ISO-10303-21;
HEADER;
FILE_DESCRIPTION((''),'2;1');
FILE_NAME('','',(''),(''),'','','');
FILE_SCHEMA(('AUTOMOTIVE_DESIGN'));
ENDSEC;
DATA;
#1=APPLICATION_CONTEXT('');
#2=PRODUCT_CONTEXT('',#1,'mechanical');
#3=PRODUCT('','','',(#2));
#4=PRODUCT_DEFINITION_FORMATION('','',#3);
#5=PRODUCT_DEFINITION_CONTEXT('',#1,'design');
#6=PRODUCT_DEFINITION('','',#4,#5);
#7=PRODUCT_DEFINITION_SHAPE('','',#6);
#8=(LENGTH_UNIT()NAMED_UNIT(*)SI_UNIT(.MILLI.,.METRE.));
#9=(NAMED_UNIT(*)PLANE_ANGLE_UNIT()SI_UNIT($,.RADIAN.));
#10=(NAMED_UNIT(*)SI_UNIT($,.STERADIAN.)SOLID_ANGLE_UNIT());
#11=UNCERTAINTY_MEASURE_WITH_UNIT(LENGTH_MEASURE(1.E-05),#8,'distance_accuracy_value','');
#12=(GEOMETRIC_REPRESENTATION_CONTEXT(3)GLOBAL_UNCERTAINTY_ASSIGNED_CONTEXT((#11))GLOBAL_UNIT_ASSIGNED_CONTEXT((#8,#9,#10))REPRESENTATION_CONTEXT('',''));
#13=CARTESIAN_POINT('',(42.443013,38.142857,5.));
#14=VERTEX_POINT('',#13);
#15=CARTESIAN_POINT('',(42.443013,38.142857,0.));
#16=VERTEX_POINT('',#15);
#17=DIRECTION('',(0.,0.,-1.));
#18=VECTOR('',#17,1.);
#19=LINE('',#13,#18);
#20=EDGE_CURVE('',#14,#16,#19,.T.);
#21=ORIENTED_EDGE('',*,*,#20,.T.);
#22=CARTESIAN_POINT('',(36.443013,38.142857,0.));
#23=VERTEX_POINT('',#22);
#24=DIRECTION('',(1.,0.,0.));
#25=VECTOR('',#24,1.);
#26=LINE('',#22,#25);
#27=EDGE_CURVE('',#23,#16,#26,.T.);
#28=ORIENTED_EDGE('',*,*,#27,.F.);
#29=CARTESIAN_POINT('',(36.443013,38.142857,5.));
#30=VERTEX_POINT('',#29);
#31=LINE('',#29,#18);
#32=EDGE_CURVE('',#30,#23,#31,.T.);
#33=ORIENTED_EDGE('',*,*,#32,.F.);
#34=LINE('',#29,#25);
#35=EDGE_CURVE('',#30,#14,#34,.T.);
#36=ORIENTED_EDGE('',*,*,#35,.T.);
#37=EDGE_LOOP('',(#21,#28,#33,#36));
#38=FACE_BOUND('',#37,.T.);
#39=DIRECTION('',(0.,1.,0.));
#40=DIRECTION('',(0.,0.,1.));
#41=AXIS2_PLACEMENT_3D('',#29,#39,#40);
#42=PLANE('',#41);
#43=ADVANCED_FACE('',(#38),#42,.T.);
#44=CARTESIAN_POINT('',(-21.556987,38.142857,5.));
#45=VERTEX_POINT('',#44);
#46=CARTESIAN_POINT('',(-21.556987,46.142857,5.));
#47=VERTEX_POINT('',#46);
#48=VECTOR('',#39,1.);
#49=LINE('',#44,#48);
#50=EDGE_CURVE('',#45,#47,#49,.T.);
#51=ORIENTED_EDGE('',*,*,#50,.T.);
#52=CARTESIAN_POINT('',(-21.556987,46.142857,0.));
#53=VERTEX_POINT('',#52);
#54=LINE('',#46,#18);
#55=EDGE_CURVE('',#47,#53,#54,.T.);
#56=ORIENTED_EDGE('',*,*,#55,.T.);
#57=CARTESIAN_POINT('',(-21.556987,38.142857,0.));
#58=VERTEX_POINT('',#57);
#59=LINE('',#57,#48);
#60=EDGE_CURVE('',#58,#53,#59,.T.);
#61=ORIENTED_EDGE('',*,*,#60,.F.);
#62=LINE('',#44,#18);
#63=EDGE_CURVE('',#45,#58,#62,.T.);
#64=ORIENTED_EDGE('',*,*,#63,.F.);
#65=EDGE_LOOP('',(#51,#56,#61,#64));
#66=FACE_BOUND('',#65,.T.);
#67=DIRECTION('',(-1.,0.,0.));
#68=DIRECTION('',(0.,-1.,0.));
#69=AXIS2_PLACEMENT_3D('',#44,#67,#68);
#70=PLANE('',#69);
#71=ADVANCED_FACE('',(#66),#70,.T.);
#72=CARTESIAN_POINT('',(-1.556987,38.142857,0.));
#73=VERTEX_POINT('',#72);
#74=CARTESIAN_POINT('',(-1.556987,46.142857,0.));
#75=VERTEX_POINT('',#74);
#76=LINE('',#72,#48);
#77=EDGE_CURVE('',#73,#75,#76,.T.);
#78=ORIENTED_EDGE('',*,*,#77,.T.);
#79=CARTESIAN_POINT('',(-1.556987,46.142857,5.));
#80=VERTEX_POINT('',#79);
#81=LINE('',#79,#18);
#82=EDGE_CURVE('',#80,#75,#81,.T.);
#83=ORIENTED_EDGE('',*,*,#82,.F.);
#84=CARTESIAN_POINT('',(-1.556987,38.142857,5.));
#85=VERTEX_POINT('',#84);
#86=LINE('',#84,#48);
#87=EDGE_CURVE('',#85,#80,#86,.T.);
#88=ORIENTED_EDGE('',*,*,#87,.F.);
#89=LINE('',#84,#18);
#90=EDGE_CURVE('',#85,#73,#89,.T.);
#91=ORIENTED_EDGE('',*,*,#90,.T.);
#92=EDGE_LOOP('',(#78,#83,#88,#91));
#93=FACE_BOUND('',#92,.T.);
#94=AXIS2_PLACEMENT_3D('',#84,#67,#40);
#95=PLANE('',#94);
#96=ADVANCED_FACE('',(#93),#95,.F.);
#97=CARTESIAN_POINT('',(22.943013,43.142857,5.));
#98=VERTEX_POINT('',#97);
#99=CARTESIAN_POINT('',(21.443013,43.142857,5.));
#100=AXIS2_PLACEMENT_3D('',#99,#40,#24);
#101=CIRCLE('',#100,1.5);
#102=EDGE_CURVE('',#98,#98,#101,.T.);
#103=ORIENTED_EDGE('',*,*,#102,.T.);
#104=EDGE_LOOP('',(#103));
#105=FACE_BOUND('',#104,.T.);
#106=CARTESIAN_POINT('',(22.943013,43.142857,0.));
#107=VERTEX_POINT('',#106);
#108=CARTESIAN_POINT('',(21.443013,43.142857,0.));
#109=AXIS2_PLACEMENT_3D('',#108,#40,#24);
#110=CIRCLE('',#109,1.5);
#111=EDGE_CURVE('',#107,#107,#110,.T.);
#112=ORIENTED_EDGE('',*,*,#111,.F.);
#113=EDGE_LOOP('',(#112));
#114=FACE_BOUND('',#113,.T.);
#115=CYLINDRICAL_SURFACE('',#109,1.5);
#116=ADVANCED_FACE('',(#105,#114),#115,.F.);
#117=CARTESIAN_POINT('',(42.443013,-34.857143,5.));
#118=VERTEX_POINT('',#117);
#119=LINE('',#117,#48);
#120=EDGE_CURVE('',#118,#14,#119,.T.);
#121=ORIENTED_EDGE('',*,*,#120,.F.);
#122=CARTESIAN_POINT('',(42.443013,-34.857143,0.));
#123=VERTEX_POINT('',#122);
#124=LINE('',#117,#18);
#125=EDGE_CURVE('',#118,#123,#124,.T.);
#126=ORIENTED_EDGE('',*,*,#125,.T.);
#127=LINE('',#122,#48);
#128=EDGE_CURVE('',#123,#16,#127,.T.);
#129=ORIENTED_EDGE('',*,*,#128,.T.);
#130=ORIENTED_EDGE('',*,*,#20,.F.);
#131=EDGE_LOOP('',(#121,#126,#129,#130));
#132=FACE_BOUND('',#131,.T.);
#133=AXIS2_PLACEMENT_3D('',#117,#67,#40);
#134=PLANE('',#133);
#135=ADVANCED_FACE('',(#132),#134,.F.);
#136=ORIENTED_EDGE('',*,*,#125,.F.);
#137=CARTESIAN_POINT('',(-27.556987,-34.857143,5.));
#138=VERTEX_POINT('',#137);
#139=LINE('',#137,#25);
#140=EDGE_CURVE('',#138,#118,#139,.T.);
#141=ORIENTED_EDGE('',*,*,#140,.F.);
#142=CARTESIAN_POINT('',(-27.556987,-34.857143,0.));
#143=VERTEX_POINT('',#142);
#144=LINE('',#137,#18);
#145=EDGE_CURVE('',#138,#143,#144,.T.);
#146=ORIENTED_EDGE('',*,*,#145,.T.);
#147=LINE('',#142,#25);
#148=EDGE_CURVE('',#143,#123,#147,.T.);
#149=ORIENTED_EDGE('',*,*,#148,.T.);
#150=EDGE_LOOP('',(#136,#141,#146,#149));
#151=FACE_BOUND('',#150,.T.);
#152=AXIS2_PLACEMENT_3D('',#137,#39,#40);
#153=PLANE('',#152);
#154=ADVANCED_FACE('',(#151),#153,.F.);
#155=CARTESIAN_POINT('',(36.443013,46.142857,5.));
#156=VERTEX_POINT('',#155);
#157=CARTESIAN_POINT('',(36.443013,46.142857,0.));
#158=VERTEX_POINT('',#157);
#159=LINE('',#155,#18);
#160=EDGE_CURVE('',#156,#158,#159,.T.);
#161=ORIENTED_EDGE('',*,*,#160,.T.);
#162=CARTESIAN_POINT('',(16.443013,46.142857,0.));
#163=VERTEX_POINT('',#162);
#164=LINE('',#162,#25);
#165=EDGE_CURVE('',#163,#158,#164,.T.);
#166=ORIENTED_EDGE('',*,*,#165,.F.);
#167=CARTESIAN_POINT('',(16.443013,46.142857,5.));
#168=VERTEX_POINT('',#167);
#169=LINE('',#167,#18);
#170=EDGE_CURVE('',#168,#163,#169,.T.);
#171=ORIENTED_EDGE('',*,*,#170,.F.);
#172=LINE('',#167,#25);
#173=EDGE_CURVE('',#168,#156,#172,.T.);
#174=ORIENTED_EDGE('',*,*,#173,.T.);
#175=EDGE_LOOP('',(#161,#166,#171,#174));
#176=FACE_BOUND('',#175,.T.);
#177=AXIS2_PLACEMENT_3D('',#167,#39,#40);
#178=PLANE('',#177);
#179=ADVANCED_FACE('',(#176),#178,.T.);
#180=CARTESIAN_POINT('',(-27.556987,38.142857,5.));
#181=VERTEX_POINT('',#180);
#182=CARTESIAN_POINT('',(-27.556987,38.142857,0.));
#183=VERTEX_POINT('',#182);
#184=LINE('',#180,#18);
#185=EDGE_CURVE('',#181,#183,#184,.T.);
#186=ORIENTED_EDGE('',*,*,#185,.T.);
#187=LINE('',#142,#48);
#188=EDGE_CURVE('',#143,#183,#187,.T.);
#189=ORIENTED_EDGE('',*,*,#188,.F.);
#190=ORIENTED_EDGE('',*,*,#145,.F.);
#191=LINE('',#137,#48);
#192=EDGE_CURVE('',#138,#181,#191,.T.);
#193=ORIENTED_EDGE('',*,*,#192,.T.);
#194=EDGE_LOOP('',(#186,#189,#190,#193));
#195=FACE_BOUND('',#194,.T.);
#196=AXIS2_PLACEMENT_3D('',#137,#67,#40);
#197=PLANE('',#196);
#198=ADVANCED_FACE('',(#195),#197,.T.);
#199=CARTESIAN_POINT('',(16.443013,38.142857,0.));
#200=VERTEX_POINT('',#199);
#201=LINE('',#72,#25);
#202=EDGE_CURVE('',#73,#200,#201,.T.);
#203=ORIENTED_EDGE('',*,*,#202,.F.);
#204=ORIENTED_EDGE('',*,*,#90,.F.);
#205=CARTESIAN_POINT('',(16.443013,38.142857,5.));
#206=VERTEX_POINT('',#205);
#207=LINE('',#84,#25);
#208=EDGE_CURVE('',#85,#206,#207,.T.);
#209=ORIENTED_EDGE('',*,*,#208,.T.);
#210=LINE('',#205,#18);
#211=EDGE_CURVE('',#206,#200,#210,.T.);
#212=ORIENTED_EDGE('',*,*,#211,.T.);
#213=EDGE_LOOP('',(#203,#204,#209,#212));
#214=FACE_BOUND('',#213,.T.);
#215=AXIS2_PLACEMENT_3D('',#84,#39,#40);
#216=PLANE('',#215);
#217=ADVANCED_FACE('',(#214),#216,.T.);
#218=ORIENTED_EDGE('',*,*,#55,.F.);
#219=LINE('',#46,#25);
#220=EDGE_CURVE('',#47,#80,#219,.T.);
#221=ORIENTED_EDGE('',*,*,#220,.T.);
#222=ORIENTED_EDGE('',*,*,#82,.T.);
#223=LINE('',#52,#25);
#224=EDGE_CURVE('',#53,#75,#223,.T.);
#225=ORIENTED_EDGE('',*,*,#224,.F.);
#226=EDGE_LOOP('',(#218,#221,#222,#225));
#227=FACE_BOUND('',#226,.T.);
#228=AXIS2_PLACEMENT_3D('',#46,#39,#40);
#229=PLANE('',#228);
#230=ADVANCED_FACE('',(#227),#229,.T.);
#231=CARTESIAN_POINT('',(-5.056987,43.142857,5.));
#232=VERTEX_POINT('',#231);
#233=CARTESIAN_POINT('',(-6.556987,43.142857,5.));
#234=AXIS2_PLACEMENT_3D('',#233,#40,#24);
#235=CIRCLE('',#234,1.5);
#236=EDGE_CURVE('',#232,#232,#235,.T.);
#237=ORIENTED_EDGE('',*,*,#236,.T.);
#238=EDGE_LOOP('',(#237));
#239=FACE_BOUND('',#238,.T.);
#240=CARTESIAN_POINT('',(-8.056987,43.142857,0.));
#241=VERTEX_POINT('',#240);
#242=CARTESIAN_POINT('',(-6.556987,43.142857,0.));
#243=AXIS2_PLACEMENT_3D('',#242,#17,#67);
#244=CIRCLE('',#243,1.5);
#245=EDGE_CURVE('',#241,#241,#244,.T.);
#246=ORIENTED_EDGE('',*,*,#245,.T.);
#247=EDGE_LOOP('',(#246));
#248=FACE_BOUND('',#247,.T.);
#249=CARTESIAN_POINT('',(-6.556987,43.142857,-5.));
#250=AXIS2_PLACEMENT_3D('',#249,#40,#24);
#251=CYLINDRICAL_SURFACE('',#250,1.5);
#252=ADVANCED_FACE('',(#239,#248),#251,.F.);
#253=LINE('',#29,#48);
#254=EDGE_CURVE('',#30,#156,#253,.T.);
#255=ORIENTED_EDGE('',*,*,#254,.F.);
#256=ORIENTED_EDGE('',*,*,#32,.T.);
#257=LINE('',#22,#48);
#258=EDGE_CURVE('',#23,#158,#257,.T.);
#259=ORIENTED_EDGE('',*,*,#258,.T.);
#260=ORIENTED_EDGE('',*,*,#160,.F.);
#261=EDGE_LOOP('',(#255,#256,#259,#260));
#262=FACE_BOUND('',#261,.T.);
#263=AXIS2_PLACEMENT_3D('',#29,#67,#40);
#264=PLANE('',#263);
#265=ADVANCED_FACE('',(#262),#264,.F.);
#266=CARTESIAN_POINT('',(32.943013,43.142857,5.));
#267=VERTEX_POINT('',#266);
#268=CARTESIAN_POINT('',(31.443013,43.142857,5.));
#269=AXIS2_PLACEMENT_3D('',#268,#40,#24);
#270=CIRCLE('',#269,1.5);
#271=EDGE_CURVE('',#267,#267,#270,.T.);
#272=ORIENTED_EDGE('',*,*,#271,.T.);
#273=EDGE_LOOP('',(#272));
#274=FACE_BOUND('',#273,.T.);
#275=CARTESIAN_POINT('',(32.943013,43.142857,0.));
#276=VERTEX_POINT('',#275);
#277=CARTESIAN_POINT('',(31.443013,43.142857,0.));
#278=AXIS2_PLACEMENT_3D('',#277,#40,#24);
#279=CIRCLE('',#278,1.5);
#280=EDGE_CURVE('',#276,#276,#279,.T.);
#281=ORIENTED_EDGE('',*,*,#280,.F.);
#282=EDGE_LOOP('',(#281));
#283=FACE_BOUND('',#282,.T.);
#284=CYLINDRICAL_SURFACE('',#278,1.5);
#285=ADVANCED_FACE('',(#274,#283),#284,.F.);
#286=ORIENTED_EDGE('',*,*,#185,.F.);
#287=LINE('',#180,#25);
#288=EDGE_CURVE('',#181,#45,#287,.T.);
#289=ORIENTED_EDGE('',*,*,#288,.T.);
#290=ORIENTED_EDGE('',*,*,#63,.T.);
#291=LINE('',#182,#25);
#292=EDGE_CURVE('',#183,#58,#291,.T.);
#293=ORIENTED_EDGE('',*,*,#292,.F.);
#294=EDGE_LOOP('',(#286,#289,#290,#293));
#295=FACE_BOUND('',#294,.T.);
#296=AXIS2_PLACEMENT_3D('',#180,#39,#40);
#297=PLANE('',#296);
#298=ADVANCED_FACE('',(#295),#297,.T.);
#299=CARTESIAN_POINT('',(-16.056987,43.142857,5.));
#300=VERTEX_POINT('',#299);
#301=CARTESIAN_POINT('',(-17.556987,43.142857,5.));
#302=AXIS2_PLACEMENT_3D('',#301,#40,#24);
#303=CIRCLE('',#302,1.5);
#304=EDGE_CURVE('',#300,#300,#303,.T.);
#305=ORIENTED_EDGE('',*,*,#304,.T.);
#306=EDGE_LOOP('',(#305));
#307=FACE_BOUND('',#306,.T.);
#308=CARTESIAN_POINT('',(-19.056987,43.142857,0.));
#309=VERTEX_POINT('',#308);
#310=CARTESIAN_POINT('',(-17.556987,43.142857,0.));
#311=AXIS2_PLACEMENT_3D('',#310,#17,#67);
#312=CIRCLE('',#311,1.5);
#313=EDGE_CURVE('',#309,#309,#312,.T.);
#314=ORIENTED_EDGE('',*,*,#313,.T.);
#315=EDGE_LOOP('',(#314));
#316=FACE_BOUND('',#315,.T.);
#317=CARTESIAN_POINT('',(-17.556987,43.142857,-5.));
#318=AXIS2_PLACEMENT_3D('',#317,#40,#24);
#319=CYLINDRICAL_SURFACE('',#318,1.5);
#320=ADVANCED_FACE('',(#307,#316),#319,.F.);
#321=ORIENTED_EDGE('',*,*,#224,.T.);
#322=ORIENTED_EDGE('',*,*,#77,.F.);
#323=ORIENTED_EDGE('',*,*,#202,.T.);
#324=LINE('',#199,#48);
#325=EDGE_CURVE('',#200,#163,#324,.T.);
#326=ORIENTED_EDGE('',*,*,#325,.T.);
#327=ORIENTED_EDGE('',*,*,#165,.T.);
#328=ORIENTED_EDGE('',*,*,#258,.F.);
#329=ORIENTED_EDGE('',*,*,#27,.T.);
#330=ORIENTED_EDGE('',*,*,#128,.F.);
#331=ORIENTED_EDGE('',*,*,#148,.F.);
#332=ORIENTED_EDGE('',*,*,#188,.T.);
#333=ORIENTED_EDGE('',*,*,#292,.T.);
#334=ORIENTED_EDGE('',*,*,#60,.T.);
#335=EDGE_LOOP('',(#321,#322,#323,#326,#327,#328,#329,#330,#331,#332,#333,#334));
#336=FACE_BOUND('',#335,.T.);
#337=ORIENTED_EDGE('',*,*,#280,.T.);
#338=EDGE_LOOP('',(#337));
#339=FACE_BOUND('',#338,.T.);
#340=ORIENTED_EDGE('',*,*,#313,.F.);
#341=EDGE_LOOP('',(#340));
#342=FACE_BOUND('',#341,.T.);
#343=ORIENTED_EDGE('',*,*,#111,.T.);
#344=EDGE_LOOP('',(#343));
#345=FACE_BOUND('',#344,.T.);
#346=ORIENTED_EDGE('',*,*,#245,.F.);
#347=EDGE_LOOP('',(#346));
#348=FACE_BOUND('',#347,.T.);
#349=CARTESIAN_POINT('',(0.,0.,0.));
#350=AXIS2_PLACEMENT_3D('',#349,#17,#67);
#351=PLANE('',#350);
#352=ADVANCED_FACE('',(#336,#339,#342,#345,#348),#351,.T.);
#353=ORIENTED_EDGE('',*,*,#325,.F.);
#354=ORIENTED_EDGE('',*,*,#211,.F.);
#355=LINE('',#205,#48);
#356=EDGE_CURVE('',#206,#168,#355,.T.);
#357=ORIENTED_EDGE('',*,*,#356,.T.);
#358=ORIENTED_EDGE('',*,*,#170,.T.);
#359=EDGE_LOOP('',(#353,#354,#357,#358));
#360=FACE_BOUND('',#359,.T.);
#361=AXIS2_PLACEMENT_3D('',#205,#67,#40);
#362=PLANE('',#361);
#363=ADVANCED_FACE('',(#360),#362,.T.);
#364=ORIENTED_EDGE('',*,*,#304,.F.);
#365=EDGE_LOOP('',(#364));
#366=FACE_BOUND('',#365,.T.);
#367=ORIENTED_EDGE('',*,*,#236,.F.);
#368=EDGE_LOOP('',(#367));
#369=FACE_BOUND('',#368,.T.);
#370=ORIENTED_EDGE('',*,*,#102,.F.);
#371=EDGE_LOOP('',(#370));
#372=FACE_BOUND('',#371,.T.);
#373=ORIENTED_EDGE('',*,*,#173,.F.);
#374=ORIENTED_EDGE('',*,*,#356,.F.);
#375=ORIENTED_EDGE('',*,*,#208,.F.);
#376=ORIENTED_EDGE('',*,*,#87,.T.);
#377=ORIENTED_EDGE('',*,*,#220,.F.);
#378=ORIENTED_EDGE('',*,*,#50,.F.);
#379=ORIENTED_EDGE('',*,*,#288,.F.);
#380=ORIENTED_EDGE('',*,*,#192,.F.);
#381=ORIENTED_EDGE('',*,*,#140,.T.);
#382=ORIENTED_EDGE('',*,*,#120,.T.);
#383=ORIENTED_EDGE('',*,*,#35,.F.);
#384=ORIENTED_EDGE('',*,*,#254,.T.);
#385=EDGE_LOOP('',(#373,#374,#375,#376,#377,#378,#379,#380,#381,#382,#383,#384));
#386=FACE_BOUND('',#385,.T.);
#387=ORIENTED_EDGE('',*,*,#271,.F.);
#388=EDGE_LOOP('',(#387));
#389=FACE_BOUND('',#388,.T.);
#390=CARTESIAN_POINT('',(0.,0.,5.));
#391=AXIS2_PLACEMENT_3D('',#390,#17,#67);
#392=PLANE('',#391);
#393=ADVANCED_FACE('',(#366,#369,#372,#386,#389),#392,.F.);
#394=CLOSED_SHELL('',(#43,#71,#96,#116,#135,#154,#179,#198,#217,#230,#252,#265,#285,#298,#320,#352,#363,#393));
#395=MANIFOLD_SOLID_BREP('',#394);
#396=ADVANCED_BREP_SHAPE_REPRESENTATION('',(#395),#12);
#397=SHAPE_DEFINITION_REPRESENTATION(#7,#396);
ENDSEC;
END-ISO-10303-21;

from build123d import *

# Parameters (mm, degrees)
RESSALTO_EXTRUS_O1_DEPTH = 5
ESBO_O2_R                = 1.5
CORTE_EXTRUS_O1_DEPTH    = 10
ESBO_O3_R                = 1.5
CORTE_EXTRUS_O2_DEPTH    = 6


with BuildPart() as part:
    # Esboço1 → Ressalto-extrusão1 (new body)
    with BuildSketch(Plane.XY):
        Polygon((-1.556986729, 38.142857143), (16.443013271, 38.142857143), (16.443013271, 46.142857143), (36.443013271, 46.142857143), (36.443013271, 38.142857143), (42.443013271, 38.142857143), (42.443013271, -34.857142857), (-27.556986729, -34.857142857), (-27.556986729, 38.142857143), (-21.556986729, 38.142857143), (-21.556986729, 46.142857143), (-1.556986729, 46.142857143), align=None)
    extrude(amount=RESSALTO_EXTRUS_O1_DEPTH)

    # Esboço2 → Corte-extrusão1 (cut)
    with BuildSketch(Plane.XY.offset(5)):
        with Locations((-17.556986729, 43.142857143)):
            Circle(ESBO_O2_R)
        with Locations((-6.556986729, 43.142857143)):
            Circle(ESBO_O2_R)
    extrude(amount=-CORTE_EXTRUS_O1_DEPTH, mode=Mode.SUBTRACT)

    # Esboço3 → Corte-extrusão2 (cut, through all)
    with BuildSketch(Plane.XY.offset(5)):
        with Locations((21.443013271, 43.142857143)):
            Circle(ESBO_O3_R)
        with Locations((31.443013271, 43.142857143)):
            Circle(ESBO_O3_R)
    extrude(amount=-CORTE_EXTRUS_O2_DEPTH, mode=Mode.SUBTRACT)


solid = part.part
